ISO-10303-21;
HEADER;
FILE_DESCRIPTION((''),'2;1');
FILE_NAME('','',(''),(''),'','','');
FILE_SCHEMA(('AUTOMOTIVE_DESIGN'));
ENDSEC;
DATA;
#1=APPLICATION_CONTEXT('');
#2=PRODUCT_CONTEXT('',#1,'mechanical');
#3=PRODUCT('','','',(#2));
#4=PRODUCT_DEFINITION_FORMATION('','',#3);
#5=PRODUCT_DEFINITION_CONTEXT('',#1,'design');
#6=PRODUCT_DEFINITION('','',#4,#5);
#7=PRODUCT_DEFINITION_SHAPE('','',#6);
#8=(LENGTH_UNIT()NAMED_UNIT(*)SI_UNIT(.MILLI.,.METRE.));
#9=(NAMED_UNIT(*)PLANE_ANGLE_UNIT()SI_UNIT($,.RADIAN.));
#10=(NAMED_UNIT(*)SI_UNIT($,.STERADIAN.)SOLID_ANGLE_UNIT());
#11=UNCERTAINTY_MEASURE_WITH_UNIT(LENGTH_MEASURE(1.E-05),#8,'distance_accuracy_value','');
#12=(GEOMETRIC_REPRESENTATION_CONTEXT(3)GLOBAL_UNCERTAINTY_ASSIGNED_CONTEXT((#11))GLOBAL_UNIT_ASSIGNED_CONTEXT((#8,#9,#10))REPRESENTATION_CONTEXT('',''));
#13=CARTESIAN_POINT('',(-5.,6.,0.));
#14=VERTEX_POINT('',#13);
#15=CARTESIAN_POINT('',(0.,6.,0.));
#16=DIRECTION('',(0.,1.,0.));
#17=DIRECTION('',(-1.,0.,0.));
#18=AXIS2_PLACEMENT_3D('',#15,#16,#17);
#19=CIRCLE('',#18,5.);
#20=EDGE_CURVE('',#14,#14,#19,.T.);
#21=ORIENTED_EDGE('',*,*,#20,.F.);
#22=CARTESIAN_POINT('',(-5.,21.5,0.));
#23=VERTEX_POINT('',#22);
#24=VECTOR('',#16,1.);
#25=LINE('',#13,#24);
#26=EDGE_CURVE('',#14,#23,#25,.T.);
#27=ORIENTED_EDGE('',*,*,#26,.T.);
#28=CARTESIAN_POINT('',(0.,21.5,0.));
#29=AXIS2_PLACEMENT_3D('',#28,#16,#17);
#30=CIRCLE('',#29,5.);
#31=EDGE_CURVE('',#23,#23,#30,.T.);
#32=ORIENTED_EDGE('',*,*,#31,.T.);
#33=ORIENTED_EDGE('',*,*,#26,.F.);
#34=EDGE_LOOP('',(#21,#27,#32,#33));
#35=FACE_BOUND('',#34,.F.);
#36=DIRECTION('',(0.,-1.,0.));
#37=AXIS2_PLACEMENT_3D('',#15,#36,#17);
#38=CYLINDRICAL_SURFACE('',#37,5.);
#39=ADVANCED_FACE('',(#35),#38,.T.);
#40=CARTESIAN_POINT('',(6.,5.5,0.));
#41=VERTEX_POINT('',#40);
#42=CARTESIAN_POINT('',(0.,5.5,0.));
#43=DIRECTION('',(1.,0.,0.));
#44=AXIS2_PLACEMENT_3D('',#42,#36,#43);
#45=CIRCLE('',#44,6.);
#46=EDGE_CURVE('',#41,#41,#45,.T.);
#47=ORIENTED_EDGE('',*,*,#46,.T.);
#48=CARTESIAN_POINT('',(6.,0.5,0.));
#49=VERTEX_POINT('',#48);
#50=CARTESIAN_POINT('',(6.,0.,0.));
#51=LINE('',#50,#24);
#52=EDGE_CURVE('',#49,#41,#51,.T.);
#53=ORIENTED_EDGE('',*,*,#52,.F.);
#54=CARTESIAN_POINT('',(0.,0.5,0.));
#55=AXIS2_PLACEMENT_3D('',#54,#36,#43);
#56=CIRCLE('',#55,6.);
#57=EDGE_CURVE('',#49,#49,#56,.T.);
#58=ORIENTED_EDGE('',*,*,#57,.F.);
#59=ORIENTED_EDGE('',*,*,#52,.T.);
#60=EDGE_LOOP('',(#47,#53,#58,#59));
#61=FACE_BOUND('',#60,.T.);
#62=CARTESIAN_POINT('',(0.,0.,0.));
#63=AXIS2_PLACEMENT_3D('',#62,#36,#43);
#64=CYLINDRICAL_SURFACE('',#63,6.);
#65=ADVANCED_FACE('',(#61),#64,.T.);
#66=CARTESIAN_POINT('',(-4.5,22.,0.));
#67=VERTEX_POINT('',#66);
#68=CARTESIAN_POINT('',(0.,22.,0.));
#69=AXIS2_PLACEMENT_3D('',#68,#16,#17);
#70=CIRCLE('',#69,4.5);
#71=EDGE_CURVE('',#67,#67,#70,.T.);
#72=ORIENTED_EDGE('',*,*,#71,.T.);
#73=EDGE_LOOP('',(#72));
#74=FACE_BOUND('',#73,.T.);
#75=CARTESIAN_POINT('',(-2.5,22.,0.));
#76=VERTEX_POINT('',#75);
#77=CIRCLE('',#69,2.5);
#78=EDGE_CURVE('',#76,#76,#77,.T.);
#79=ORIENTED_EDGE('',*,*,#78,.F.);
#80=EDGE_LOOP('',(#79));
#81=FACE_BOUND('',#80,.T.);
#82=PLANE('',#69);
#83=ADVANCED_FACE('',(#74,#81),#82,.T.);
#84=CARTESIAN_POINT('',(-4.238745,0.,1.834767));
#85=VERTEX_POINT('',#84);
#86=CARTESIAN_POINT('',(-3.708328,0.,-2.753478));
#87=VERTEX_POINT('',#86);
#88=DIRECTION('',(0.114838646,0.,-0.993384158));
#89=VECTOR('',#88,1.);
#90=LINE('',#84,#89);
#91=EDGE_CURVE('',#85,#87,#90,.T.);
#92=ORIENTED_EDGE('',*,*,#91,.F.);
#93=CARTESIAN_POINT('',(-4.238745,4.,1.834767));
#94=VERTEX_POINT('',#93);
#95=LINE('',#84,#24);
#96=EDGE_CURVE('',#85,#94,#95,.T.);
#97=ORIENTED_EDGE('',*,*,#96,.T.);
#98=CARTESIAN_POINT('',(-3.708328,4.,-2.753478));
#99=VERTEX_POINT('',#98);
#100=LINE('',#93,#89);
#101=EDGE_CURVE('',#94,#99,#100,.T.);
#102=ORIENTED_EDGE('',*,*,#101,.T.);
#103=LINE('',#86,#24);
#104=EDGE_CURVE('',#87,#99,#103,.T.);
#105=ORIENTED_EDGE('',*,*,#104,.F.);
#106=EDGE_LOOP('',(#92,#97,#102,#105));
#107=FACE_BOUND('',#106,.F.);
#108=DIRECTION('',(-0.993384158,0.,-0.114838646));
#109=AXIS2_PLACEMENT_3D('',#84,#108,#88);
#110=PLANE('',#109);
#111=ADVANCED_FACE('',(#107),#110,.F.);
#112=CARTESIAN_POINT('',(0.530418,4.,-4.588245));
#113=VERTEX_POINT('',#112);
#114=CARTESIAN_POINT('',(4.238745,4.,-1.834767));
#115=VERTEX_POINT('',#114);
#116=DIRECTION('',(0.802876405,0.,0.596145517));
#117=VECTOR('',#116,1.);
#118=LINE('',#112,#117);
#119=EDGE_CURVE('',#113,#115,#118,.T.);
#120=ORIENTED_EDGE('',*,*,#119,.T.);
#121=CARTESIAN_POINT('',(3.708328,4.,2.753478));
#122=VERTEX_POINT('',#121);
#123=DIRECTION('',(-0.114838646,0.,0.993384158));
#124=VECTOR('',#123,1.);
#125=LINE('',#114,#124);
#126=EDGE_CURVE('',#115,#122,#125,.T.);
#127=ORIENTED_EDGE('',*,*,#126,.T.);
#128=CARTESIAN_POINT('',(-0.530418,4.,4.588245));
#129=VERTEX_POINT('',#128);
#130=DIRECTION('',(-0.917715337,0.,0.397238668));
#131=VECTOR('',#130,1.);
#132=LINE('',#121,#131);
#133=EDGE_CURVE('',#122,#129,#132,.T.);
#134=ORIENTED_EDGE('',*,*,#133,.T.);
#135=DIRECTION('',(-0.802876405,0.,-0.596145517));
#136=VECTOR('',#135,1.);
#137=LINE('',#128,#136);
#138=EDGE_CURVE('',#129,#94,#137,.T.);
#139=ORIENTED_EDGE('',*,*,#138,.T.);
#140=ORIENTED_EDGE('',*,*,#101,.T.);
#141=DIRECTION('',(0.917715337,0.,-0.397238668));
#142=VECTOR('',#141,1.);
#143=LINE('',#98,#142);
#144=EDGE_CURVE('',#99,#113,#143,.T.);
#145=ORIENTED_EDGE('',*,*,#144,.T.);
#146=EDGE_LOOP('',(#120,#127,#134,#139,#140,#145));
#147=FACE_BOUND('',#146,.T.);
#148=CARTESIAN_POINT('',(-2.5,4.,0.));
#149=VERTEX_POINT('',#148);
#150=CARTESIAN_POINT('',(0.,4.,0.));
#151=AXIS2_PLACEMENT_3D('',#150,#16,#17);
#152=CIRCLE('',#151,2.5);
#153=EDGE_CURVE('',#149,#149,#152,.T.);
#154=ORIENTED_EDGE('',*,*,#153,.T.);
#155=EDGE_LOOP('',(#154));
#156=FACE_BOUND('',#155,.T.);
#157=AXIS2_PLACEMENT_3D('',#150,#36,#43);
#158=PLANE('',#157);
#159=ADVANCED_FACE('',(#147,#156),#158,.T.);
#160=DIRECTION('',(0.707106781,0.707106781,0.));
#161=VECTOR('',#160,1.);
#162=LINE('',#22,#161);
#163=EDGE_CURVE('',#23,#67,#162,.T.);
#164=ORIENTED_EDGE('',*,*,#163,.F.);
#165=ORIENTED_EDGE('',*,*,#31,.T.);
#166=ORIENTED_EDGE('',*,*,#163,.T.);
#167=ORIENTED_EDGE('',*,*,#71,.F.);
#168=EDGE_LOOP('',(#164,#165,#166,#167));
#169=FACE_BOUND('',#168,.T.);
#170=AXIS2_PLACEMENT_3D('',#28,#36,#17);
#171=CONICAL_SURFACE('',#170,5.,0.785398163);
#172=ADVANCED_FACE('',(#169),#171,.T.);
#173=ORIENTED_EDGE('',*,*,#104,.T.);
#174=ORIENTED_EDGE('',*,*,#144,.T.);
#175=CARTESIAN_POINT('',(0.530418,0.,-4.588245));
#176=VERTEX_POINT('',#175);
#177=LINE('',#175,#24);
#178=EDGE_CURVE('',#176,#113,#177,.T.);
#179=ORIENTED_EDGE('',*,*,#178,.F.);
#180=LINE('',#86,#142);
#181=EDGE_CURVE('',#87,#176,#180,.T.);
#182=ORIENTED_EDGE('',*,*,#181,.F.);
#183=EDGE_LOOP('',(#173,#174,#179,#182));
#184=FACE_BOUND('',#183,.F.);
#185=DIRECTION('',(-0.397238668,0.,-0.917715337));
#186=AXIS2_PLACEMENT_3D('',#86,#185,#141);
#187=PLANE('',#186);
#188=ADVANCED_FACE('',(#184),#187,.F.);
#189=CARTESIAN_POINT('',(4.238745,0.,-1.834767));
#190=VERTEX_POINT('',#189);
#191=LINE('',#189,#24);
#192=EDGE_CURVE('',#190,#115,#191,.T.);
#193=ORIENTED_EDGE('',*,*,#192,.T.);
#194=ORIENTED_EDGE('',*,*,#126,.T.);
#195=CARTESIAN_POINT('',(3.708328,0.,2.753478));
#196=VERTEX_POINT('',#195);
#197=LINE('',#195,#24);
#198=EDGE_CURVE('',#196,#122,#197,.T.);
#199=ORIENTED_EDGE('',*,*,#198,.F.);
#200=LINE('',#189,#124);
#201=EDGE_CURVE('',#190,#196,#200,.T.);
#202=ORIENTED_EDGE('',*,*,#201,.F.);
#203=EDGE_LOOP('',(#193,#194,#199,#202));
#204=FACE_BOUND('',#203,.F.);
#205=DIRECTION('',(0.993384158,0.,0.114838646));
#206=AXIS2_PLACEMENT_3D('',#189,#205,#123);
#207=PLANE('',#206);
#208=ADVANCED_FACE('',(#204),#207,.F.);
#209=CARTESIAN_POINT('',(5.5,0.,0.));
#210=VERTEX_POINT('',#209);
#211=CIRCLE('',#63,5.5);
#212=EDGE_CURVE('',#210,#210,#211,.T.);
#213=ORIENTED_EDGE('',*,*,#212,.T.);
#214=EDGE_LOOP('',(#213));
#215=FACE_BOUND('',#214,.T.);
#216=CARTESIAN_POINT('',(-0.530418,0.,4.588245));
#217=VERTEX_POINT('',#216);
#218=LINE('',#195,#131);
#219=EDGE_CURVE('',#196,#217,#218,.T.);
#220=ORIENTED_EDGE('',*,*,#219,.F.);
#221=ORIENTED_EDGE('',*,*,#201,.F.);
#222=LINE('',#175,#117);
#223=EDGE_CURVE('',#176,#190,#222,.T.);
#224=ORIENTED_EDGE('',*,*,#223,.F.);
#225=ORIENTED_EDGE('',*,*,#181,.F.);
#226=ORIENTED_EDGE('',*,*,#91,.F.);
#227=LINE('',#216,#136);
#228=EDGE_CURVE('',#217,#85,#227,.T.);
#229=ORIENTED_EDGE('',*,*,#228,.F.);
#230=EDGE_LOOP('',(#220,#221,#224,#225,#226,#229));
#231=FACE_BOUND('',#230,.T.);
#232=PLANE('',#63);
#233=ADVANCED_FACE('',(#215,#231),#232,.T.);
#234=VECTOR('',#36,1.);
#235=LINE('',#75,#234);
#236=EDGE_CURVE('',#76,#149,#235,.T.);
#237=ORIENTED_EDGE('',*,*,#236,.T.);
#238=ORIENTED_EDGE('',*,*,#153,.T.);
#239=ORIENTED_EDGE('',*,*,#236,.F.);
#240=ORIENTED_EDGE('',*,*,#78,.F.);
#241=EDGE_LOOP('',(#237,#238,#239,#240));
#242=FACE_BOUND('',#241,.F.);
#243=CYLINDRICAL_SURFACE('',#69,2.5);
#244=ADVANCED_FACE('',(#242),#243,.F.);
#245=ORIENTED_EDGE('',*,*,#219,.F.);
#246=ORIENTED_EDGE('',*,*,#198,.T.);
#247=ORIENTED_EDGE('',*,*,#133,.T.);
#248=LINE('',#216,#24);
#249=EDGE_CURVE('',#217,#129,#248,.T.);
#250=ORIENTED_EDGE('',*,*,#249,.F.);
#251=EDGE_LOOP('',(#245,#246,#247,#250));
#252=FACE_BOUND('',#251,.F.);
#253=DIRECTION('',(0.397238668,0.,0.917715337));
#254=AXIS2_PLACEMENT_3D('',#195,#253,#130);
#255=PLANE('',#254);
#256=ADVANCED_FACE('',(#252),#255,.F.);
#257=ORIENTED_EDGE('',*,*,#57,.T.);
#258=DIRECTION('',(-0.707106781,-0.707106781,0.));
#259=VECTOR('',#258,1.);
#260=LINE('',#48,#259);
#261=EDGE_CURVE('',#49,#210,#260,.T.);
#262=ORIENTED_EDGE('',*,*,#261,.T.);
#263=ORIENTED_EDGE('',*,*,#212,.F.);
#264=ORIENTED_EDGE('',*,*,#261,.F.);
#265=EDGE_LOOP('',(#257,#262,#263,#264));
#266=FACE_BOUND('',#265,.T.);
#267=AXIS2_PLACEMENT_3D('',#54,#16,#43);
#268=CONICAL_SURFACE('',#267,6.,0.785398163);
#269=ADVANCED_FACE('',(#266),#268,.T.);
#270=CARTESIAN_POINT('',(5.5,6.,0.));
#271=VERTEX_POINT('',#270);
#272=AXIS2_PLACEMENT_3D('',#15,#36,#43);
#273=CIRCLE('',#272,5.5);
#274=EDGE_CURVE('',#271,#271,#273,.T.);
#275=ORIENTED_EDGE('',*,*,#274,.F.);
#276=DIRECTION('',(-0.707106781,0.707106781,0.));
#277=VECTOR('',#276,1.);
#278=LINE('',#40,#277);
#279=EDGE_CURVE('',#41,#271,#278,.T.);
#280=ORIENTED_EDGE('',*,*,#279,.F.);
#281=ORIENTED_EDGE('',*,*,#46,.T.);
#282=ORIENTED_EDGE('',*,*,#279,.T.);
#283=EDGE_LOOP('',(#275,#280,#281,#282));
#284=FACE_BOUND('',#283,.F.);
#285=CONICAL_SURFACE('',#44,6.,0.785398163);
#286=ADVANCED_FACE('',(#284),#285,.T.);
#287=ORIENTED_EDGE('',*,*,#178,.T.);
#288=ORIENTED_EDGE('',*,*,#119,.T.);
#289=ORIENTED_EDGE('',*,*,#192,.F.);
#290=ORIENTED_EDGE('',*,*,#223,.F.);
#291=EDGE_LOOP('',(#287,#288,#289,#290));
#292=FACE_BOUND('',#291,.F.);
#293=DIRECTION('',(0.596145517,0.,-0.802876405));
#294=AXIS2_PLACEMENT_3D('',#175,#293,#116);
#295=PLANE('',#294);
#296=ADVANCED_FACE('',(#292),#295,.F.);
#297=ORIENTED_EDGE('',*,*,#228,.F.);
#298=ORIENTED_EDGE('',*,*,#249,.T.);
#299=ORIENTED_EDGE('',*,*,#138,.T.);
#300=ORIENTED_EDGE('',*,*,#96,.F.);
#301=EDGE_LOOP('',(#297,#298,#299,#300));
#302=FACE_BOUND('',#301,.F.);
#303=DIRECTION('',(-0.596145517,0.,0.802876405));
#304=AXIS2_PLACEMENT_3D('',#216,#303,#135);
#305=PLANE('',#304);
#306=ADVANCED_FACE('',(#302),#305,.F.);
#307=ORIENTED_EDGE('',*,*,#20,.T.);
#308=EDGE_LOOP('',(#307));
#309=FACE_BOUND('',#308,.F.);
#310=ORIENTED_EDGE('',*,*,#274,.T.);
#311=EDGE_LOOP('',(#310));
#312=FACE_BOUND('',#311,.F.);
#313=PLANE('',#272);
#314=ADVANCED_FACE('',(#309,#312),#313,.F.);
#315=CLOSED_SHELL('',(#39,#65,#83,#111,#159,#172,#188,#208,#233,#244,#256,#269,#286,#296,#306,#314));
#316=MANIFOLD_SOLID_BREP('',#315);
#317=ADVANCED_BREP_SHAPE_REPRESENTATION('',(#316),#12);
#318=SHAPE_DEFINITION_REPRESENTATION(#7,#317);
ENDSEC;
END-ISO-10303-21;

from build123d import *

# Parameters (mm, degrees)
F0_R     = 6
F1_DEPTH = 6
F3_DEPTH = 4
F4_R     = 5
F5_DEPTH = 16
F6_R     = 2.5
F7_DEPTH = 22.001
F8_SIZE  = 0.5


with BuildPart() as f1:
    # F0 (on Front) → F1 (new body)
    with BuildSketch(Plane.XZ):
        Circle(F0_R)
    extrude(amount=-F1_DEPTH)

    # F2 (on face) → F3 (cut)
    with BuildSketch(Plane.XZ):
        Polygon((3.708328, 2.753478), (-0.530418, 4.588245), (-4.238745, 1.834767), (-3.708328, -2.753478), (0.530418, -4.588245), (4.238745, -1.834767), align=None)
    extrude(amount=-F3_DEPTH, mode=Mode.SUBTRACT)

    # F4 (on face) → F5 (join)
    with BuildSketch(Plane(origin=(0, 6, 0), x_dir=(-1, 0, 0), z_dir=(0, 1, 0))):
        Circle(F4_R)
    extrude(amount=F5_DEPTH)

    # F6 (on face) → F7 (cut, through all)
    with BuildSketch(Plane(origin=(0, 22, 0), x_dir=(-1, 0, 0), z_dir=(0, 1, 0))):
        Circle(F6_R)
    extrude(amount=-F7_DEPTH, mode=Mode.SUBTRACT)

    # F8
    f8_edges = [f1.edges().sort_by_distance(p)[0] for p in [
        (-6, 0, 0),
        (6, 3, 0),
        (-6, 6, 0),
        (5, 22, 0),
    ]]
    chamfer(f8_edges, length=F8_SIZE)


solid = f1.part
